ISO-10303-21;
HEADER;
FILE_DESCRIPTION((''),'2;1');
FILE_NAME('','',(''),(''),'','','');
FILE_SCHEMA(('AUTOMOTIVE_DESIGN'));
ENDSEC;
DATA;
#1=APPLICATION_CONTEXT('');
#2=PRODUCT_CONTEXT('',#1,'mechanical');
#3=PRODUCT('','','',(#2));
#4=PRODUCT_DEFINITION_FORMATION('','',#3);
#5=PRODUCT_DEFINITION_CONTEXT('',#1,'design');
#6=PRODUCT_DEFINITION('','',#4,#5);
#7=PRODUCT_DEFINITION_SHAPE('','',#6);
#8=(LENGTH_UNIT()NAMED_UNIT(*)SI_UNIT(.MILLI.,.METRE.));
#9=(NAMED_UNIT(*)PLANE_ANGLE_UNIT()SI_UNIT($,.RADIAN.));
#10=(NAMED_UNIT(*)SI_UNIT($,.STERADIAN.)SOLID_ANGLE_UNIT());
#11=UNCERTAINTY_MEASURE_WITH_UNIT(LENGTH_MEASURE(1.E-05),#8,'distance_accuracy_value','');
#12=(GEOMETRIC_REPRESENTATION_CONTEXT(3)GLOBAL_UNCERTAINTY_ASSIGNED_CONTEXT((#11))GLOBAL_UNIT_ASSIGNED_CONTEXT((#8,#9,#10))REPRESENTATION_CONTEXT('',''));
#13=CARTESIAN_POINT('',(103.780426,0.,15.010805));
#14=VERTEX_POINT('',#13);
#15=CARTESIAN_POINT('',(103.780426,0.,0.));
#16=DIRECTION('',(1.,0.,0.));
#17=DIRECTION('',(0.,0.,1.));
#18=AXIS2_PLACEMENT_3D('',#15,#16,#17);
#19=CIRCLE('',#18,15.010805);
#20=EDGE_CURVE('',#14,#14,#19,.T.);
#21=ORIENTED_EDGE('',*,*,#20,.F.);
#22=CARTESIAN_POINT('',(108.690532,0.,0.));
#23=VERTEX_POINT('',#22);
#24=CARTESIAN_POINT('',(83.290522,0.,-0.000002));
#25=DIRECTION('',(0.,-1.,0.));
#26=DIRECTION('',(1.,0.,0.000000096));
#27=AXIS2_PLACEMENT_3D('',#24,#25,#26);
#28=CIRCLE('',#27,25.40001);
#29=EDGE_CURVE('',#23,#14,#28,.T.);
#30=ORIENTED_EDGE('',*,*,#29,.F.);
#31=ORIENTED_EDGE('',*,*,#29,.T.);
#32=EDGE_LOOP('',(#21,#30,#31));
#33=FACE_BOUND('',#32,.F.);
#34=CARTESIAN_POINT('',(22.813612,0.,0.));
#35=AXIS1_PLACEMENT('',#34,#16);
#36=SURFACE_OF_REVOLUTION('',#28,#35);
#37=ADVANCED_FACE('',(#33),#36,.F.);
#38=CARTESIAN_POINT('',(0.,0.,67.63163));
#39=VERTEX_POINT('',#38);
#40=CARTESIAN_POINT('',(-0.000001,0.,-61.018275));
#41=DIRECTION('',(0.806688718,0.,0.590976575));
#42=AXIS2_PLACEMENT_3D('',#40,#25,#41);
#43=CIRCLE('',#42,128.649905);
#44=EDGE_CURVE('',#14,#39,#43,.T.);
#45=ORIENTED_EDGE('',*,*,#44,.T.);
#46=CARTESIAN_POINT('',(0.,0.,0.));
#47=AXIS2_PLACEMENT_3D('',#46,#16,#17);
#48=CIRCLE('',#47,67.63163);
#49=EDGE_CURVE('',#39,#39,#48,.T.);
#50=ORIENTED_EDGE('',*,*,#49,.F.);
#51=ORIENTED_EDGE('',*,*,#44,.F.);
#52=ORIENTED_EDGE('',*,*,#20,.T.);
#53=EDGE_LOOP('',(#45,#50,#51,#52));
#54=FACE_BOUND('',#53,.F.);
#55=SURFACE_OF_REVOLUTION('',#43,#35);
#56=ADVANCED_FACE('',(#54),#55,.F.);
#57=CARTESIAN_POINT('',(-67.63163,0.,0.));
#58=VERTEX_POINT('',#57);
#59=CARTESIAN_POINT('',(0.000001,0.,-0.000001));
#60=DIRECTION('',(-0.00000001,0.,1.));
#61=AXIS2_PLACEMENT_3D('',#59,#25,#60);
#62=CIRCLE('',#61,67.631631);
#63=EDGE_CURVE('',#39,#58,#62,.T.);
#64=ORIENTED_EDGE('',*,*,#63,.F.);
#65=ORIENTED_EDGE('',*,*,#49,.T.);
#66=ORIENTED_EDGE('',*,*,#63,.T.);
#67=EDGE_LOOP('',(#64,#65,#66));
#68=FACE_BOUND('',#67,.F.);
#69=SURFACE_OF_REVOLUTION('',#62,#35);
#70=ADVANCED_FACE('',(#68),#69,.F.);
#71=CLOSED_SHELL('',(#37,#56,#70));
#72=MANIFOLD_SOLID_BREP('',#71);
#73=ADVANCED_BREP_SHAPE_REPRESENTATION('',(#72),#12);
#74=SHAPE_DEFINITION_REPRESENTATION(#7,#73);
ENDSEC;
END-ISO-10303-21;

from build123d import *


with BuildPart() as f1:
    # F0 (on Front) → F1 (revolve)
    with BuildSketch(Plane.XZ):
        with BuildLine():
            ThreePointArc((108.690532, 0), (107.431817, 7.89673), (103.780426, 15.010805))
            ThreePointArc((103.780426, 15.010805), (58.179309, 53.724768), (0, 67.63163))
            ThreePointArc((0, 67.63163), (-47.822784, 47.822784), (-67.63163, 0))
            Line((-67.63163, 0), (108.690532, 0))
        make_face()
    revolve(axis=Axis((22.813612, 0, 0), (1, 0, 0)))


solid = f1.part
